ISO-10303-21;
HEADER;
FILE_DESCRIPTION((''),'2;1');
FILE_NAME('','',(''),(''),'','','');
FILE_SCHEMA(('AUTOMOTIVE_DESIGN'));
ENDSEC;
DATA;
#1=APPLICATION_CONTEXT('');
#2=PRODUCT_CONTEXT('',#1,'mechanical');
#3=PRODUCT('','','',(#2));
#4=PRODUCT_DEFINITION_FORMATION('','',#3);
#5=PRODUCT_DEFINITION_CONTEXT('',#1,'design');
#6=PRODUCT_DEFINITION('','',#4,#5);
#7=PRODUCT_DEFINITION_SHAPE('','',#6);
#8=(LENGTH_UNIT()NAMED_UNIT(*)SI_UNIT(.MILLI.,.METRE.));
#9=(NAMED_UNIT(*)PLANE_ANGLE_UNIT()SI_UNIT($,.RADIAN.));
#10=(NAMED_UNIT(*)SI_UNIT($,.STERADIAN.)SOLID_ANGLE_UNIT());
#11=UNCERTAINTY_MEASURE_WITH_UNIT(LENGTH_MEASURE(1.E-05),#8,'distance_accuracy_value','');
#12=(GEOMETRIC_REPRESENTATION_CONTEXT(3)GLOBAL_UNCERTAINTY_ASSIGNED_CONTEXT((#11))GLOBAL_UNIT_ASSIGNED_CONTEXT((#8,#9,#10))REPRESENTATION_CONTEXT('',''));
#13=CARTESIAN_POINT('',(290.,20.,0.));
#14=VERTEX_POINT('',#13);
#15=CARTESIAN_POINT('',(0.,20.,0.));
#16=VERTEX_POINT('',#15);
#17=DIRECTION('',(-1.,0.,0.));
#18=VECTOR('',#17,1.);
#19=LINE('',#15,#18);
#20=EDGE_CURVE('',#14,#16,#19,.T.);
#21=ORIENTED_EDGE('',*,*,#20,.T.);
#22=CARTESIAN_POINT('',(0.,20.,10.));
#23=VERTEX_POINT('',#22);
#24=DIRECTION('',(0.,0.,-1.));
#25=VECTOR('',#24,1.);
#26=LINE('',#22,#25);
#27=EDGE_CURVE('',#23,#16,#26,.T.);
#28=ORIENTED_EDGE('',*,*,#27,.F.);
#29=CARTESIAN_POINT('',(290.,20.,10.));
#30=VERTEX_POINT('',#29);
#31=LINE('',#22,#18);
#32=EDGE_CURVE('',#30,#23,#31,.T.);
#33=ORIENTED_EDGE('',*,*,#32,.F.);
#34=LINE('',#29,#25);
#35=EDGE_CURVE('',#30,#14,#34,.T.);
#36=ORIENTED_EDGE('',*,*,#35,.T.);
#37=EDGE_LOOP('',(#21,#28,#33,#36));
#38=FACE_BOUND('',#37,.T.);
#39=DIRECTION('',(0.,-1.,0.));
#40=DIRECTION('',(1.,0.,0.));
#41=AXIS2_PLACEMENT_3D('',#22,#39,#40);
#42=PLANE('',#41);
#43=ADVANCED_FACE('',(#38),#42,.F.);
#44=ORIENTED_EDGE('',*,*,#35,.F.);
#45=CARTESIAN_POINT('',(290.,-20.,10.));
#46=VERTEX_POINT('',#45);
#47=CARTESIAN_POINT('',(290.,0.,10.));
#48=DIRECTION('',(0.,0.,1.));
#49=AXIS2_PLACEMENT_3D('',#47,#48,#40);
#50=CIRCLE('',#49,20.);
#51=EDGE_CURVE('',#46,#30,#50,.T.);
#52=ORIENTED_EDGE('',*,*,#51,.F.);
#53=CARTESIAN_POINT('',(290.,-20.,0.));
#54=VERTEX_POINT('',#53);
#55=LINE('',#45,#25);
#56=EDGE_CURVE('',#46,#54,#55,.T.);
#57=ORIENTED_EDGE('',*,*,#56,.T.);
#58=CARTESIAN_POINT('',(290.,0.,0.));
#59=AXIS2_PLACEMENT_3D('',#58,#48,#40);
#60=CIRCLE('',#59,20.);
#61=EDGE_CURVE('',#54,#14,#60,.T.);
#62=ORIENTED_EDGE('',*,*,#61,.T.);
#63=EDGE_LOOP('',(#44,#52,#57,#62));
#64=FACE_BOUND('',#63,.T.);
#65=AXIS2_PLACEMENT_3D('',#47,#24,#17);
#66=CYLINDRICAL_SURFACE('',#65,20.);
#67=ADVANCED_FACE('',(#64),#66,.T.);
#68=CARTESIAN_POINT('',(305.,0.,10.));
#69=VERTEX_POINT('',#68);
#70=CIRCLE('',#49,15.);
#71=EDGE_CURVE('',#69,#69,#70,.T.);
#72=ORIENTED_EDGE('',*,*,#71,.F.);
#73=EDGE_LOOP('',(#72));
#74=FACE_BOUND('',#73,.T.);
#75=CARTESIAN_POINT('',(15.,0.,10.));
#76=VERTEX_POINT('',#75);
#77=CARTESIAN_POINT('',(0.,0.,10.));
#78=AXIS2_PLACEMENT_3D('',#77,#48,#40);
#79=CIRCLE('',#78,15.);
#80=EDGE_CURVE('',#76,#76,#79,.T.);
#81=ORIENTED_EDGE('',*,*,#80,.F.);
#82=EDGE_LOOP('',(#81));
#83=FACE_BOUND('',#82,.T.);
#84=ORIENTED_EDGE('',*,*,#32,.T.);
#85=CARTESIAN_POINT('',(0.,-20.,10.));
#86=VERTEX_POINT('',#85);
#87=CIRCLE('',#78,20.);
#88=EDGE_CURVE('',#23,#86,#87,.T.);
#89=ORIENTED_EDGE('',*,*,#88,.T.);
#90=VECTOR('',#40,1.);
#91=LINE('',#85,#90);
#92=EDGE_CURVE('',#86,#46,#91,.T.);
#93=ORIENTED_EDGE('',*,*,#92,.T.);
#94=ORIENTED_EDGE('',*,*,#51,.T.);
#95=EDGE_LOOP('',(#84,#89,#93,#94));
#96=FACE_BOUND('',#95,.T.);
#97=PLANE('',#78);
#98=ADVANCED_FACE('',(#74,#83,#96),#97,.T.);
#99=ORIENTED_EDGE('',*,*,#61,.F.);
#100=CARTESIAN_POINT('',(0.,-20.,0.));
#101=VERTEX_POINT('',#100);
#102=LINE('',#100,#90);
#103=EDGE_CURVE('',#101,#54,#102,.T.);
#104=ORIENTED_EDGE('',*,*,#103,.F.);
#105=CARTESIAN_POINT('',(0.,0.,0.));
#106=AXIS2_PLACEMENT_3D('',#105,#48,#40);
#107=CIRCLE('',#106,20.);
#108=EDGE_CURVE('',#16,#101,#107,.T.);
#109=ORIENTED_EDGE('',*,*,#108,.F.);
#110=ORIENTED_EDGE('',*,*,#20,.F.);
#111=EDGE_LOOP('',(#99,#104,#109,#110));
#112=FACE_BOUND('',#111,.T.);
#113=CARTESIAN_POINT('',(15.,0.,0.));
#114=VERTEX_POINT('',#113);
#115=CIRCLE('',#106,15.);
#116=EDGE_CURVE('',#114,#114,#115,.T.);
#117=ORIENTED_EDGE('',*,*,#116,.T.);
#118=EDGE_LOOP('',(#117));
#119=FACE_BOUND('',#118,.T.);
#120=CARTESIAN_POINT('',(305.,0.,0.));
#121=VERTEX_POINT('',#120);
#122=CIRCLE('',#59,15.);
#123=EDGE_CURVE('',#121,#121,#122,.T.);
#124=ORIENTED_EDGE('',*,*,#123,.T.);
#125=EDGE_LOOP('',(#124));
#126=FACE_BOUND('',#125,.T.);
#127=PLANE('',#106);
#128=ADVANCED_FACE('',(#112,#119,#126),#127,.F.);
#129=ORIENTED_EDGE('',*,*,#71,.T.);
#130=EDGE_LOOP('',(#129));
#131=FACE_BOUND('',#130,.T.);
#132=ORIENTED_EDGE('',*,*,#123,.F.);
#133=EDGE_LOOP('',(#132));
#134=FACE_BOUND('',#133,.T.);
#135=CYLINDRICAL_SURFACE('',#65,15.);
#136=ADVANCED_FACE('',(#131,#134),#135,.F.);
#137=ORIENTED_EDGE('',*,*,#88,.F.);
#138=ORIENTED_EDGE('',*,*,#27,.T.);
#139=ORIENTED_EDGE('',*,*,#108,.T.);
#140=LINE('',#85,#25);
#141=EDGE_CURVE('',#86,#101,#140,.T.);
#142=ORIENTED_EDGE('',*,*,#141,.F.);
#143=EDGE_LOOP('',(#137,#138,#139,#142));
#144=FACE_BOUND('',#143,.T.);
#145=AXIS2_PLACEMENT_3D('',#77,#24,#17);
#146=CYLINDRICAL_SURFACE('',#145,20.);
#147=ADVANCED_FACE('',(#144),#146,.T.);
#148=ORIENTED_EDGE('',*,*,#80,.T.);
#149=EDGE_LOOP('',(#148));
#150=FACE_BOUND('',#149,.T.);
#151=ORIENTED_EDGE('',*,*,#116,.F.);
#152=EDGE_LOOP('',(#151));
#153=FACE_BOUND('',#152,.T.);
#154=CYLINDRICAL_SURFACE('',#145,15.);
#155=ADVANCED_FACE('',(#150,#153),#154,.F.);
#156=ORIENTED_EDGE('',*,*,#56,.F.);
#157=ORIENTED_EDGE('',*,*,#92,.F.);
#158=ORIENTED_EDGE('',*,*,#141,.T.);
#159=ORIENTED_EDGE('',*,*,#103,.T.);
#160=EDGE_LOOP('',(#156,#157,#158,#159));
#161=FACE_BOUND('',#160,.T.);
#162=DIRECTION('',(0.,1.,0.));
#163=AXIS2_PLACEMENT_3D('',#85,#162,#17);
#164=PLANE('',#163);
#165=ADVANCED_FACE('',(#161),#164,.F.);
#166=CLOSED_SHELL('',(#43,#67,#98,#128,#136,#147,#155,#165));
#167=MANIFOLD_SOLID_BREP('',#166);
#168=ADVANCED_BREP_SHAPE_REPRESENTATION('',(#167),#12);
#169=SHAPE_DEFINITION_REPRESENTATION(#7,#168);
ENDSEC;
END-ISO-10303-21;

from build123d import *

# Parameters (mm, degrees)
SKETCH_1_R      = 15
EXTRUDE_1_DEPTH = 10


with BuildPart() as part:
    # Эскиз1 → Бобышка-Вытянуть1 (new body)
    with BuildSketch(Plane.XY):
        with BuildLine():
            Line((0, 20), (290, 20))
            ThreePointArc((290, 20), (310, 0), (290, -20))
            Line((290, -20), (0, -20))
            ThreePointArc((0, -20), (-20, 0), (0, 20))
        make_face()
        Circle(SKETCH_1_R, mode=Mode.SUBTRACT)
        with Locations((290, 0)):
            Circle(SKETCH_1_R, mode=Mode.SUBTRACT)
    extrude(amount=EXTRUDE_1_DEPTH)


solid = part.part
